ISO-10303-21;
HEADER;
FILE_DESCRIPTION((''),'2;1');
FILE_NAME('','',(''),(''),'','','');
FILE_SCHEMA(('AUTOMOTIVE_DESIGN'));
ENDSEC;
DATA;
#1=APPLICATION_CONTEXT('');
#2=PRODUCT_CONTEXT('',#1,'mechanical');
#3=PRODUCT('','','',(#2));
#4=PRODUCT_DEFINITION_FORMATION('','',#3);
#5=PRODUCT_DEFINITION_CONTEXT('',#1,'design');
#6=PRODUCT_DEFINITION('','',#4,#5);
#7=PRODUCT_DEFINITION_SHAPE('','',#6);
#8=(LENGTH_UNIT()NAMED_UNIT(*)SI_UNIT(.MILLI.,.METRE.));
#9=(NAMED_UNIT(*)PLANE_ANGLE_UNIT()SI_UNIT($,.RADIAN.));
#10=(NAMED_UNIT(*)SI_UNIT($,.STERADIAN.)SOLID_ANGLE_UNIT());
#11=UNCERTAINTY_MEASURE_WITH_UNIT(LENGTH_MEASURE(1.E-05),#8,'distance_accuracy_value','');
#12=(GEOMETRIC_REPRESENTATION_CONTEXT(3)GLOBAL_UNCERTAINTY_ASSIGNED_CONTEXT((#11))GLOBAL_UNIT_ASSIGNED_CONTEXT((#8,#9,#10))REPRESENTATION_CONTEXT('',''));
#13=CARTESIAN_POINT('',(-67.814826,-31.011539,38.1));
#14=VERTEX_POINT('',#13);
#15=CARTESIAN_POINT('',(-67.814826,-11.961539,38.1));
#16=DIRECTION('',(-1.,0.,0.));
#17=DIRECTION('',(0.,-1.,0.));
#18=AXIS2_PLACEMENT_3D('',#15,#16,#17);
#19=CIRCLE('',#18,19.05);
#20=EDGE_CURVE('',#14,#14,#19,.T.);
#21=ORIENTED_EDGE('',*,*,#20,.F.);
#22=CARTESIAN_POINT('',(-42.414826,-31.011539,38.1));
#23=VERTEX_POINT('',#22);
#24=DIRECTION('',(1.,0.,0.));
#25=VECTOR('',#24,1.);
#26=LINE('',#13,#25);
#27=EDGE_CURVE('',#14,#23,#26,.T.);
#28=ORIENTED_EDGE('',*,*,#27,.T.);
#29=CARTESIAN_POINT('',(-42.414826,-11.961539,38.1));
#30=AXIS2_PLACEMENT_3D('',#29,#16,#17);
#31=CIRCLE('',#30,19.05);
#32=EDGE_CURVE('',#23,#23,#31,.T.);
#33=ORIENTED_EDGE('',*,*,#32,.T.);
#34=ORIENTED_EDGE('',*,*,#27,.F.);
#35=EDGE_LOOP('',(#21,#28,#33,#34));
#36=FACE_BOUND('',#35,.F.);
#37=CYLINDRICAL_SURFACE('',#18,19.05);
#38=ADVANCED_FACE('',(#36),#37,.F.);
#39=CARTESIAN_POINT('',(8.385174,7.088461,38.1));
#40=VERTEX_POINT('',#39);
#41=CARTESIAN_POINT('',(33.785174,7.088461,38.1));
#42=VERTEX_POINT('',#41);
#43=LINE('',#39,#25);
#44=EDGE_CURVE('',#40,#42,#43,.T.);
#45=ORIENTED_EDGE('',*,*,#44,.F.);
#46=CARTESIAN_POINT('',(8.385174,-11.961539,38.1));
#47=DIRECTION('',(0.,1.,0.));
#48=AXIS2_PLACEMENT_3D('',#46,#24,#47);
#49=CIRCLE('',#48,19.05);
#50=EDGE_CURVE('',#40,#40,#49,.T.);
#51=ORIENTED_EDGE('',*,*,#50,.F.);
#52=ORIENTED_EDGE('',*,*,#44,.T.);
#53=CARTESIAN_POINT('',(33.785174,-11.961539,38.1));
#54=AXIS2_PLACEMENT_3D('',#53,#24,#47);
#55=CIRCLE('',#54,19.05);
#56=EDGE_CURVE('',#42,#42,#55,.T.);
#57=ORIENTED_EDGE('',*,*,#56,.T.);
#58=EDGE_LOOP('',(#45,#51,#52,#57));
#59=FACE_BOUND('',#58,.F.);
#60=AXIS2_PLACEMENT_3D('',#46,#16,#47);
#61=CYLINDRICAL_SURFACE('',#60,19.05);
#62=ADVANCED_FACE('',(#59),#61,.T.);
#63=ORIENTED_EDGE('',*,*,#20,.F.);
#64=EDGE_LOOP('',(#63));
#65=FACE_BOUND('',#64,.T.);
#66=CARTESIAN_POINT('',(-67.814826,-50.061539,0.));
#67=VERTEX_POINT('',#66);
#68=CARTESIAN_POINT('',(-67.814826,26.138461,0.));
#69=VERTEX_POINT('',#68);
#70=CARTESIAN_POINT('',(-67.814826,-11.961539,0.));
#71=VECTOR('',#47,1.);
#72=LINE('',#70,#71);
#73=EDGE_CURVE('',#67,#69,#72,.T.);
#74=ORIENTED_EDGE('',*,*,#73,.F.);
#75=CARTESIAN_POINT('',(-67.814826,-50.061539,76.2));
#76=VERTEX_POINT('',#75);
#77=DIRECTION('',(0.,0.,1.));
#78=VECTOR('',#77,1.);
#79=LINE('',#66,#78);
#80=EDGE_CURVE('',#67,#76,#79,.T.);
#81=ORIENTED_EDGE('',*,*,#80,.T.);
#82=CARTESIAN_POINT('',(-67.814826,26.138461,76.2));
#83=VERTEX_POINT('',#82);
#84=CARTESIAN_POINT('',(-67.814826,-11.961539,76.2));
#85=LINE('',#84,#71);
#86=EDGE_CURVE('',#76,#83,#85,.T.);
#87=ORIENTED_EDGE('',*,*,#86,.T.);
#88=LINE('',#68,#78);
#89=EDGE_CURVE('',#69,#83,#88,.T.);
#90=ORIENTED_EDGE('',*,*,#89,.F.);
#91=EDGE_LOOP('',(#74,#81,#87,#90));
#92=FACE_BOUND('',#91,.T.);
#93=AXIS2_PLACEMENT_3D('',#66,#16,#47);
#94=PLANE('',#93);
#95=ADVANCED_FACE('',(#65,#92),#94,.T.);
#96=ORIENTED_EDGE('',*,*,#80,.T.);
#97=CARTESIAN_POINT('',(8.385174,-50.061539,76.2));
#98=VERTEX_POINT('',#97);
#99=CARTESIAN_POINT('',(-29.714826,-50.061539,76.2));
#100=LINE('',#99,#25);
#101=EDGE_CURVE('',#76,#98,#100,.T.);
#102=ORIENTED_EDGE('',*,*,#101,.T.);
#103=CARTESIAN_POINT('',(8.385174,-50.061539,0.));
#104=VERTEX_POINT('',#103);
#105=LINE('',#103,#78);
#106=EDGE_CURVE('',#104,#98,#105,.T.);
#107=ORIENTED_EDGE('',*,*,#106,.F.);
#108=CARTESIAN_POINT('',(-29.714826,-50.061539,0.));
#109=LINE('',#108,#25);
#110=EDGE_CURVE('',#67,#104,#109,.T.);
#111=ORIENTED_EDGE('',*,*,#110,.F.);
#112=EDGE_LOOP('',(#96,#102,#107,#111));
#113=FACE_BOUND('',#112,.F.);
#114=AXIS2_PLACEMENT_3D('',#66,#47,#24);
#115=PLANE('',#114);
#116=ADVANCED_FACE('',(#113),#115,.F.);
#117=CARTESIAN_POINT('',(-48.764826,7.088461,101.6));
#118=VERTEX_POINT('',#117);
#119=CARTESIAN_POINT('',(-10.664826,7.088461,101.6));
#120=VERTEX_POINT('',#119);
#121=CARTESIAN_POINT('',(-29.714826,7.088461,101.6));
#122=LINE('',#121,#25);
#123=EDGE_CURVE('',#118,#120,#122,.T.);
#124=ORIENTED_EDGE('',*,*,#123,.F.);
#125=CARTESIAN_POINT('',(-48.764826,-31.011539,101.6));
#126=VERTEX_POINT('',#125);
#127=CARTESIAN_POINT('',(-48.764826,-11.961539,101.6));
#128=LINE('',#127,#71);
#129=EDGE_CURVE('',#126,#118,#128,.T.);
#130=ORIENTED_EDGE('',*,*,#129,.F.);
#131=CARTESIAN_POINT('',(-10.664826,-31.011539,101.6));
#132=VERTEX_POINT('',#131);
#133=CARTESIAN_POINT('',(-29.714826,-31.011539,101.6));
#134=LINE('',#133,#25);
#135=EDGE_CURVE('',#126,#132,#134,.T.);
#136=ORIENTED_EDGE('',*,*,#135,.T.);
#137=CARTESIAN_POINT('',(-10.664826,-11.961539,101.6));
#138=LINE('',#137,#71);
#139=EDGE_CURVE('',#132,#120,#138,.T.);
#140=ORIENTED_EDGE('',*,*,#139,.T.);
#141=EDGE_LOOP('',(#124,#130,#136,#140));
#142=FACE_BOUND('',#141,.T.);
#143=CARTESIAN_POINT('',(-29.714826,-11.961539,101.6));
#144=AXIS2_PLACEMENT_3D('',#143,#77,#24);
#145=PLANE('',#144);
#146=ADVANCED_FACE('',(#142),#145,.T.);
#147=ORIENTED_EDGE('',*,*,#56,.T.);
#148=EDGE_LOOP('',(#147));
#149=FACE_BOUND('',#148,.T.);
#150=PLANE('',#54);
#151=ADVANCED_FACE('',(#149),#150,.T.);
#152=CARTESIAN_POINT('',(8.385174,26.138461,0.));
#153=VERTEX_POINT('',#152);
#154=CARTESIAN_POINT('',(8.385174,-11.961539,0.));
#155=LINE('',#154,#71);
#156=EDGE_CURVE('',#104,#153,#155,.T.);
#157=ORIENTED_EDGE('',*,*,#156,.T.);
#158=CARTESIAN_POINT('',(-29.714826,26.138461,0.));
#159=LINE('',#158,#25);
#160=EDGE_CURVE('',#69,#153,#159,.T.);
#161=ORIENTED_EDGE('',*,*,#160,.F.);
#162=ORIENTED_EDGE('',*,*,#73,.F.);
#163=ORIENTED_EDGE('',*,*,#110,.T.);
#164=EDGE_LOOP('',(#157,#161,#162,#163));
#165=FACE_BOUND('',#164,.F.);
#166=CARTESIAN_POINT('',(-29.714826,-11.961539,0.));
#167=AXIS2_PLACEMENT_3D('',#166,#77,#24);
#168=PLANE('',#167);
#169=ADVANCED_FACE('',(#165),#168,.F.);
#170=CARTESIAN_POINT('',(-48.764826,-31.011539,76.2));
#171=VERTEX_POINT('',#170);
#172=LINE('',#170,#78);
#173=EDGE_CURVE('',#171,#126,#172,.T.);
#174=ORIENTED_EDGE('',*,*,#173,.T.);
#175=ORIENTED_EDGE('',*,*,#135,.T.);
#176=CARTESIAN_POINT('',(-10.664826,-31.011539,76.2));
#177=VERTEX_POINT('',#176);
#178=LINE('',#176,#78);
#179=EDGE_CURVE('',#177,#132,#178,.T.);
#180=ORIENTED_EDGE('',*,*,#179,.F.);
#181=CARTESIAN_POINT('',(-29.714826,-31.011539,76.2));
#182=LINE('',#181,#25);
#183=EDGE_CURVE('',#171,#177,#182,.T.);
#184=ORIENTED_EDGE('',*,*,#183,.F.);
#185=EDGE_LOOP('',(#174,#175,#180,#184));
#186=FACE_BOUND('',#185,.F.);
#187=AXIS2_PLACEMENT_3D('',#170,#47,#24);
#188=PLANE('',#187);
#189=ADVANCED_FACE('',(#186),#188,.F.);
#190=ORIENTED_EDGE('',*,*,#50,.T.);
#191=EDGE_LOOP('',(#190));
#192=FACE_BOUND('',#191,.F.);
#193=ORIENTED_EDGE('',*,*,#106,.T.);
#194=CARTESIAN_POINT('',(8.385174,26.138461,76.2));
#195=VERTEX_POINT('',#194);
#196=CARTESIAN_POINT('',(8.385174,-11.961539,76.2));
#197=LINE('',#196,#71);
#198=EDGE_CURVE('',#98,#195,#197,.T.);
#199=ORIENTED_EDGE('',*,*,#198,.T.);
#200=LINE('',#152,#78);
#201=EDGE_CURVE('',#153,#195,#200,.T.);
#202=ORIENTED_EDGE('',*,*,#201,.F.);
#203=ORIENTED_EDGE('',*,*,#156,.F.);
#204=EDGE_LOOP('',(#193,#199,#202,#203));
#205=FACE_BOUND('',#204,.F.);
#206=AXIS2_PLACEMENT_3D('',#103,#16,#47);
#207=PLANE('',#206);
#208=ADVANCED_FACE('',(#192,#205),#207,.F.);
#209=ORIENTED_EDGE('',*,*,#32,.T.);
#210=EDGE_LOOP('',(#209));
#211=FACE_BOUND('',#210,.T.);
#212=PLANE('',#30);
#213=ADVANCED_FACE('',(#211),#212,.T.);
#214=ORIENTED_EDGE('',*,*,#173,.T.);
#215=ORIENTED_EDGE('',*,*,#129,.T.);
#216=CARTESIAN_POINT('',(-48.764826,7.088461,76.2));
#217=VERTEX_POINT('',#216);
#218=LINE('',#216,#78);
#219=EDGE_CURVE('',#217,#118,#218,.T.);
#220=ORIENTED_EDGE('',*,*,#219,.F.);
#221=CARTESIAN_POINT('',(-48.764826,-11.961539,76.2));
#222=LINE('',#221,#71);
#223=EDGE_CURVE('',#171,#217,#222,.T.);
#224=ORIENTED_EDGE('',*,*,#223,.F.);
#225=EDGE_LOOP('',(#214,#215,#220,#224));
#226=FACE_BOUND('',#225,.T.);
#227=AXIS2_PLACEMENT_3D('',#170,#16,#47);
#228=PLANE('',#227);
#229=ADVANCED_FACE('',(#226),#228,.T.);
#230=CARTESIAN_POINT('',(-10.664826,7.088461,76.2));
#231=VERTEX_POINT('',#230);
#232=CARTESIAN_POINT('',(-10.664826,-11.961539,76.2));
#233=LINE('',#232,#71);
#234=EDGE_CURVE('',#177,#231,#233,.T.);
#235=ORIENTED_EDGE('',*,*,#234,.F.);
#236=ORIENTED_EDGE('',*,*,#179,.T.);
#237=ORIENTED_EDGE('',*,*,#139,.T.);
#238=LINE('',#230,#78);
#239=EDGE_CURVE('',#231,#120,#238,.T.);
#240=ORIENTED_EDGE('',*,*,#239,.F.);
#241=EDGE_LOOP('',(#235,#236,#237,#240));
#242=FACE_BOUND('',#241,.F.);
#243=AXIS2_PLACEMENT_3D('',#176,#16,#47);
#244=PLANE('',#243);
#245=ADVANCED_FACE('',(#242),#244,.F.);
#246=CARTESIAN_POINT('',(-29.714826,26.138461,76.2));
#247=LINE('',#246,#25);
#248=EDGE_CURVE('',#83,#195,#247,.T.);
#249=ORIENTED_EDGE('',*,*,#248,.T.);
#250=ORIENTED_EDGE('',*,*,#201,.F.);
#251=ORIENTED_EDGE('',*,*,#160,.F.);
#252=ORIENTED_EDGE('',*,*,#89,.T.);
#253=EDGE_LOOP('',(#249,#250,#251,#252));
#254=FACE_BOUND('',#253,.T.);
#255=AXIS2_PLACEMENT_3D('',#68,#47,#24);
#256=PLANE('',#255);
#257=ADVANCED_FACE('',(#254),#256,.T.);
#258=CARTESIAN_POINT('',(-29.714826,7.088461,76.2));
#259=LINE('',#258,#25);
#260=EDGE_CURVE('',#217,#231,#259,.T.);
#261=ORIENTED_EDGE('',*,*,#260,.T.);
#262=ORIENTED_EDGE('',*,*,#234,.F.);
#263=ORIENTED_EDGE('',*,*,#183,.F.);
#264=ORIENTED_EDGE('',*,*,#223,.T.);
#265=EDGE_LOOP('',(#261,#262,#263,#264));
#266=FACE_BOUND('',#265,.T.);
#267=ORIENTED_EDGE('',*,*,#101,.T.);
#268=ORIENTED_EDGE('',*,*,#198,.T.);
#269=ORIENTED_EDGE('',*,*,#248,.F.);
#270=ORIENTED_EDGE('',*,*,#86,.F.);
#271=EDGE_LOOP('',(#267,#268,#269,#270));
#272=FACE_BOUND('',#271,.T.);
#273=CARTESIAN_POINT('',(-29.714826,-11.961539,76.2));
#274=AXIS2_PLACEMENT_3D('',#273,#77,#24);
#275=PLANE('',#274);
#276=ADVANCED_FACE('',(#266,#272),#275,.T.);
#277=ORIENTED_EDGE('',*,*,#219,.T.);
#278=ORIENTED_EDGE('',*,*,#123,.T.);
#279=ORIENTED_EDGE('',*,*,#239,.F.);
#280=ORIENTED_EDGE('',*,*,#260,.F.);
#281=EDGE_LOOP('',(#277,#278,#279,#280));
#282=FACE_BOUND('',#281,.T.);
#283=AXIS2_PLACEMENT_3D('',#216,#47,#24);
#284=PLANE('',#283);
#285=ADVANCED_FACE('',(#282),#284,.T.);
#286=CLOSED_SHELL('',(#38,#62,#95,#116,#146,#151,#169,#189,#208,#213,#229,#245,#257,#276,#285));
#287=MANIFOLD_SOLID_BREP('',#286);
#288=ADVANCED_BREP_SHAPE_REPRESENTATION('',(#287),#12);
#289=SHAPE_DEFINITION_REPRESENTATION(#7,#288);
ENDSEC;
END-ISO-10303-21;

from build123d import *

# Parameters (mm, degrees)
F0_W     = 76.2
F0_H     = 76.2
F1_DEPTH = 76.2
F2_W     = 38.1
F2_H     = 38.1
F5_DEPTH = 25.4
F3_R     = 19.05
F6_DEPTH = 25.4
F4_R     = 19.05
F7_DEPTH = 25.4


with BuildPart() as f1:
    # F0 (on Top) → F1 (new body)
    with BuildSketch(Plane.XY):
        with Locations((-29.714826, -11.961539)):
            Rectangle(F0_W, F0_H)
    extrude(amount=F1_DEPTH)

    # F2 (on face) → F5 (join)
    with BuildSketch(Plane.XY.offset(76.2)):
        with Locations((-29.714826, -11.961539)):
            Rectangle(F2_W, F2_H)
    extrude(amount=F5_DEPTH)

    # F3 (on face) → F6 (join)
    with BuildSketch(Plane.YZ.offset(8.385174)):
        with Locations((-11.961539, 38.1)):
            Circle(F3_R)
    extrude(amount=F6_DEPTH)

    # F4 (on face) → F7 (cut)
    with BuildSketch(Plane(origin=(-67.814826, 0, 0), x_dir=(0, -1, 0), z_dir=(-1, 0, 0))):
        with Locations((11.961539, 38.1)):
            Circle(F4_R)
    extrude(amount=-F7_DEPTH, mode=Mode.SUBTRACT)


solid = f1.part
